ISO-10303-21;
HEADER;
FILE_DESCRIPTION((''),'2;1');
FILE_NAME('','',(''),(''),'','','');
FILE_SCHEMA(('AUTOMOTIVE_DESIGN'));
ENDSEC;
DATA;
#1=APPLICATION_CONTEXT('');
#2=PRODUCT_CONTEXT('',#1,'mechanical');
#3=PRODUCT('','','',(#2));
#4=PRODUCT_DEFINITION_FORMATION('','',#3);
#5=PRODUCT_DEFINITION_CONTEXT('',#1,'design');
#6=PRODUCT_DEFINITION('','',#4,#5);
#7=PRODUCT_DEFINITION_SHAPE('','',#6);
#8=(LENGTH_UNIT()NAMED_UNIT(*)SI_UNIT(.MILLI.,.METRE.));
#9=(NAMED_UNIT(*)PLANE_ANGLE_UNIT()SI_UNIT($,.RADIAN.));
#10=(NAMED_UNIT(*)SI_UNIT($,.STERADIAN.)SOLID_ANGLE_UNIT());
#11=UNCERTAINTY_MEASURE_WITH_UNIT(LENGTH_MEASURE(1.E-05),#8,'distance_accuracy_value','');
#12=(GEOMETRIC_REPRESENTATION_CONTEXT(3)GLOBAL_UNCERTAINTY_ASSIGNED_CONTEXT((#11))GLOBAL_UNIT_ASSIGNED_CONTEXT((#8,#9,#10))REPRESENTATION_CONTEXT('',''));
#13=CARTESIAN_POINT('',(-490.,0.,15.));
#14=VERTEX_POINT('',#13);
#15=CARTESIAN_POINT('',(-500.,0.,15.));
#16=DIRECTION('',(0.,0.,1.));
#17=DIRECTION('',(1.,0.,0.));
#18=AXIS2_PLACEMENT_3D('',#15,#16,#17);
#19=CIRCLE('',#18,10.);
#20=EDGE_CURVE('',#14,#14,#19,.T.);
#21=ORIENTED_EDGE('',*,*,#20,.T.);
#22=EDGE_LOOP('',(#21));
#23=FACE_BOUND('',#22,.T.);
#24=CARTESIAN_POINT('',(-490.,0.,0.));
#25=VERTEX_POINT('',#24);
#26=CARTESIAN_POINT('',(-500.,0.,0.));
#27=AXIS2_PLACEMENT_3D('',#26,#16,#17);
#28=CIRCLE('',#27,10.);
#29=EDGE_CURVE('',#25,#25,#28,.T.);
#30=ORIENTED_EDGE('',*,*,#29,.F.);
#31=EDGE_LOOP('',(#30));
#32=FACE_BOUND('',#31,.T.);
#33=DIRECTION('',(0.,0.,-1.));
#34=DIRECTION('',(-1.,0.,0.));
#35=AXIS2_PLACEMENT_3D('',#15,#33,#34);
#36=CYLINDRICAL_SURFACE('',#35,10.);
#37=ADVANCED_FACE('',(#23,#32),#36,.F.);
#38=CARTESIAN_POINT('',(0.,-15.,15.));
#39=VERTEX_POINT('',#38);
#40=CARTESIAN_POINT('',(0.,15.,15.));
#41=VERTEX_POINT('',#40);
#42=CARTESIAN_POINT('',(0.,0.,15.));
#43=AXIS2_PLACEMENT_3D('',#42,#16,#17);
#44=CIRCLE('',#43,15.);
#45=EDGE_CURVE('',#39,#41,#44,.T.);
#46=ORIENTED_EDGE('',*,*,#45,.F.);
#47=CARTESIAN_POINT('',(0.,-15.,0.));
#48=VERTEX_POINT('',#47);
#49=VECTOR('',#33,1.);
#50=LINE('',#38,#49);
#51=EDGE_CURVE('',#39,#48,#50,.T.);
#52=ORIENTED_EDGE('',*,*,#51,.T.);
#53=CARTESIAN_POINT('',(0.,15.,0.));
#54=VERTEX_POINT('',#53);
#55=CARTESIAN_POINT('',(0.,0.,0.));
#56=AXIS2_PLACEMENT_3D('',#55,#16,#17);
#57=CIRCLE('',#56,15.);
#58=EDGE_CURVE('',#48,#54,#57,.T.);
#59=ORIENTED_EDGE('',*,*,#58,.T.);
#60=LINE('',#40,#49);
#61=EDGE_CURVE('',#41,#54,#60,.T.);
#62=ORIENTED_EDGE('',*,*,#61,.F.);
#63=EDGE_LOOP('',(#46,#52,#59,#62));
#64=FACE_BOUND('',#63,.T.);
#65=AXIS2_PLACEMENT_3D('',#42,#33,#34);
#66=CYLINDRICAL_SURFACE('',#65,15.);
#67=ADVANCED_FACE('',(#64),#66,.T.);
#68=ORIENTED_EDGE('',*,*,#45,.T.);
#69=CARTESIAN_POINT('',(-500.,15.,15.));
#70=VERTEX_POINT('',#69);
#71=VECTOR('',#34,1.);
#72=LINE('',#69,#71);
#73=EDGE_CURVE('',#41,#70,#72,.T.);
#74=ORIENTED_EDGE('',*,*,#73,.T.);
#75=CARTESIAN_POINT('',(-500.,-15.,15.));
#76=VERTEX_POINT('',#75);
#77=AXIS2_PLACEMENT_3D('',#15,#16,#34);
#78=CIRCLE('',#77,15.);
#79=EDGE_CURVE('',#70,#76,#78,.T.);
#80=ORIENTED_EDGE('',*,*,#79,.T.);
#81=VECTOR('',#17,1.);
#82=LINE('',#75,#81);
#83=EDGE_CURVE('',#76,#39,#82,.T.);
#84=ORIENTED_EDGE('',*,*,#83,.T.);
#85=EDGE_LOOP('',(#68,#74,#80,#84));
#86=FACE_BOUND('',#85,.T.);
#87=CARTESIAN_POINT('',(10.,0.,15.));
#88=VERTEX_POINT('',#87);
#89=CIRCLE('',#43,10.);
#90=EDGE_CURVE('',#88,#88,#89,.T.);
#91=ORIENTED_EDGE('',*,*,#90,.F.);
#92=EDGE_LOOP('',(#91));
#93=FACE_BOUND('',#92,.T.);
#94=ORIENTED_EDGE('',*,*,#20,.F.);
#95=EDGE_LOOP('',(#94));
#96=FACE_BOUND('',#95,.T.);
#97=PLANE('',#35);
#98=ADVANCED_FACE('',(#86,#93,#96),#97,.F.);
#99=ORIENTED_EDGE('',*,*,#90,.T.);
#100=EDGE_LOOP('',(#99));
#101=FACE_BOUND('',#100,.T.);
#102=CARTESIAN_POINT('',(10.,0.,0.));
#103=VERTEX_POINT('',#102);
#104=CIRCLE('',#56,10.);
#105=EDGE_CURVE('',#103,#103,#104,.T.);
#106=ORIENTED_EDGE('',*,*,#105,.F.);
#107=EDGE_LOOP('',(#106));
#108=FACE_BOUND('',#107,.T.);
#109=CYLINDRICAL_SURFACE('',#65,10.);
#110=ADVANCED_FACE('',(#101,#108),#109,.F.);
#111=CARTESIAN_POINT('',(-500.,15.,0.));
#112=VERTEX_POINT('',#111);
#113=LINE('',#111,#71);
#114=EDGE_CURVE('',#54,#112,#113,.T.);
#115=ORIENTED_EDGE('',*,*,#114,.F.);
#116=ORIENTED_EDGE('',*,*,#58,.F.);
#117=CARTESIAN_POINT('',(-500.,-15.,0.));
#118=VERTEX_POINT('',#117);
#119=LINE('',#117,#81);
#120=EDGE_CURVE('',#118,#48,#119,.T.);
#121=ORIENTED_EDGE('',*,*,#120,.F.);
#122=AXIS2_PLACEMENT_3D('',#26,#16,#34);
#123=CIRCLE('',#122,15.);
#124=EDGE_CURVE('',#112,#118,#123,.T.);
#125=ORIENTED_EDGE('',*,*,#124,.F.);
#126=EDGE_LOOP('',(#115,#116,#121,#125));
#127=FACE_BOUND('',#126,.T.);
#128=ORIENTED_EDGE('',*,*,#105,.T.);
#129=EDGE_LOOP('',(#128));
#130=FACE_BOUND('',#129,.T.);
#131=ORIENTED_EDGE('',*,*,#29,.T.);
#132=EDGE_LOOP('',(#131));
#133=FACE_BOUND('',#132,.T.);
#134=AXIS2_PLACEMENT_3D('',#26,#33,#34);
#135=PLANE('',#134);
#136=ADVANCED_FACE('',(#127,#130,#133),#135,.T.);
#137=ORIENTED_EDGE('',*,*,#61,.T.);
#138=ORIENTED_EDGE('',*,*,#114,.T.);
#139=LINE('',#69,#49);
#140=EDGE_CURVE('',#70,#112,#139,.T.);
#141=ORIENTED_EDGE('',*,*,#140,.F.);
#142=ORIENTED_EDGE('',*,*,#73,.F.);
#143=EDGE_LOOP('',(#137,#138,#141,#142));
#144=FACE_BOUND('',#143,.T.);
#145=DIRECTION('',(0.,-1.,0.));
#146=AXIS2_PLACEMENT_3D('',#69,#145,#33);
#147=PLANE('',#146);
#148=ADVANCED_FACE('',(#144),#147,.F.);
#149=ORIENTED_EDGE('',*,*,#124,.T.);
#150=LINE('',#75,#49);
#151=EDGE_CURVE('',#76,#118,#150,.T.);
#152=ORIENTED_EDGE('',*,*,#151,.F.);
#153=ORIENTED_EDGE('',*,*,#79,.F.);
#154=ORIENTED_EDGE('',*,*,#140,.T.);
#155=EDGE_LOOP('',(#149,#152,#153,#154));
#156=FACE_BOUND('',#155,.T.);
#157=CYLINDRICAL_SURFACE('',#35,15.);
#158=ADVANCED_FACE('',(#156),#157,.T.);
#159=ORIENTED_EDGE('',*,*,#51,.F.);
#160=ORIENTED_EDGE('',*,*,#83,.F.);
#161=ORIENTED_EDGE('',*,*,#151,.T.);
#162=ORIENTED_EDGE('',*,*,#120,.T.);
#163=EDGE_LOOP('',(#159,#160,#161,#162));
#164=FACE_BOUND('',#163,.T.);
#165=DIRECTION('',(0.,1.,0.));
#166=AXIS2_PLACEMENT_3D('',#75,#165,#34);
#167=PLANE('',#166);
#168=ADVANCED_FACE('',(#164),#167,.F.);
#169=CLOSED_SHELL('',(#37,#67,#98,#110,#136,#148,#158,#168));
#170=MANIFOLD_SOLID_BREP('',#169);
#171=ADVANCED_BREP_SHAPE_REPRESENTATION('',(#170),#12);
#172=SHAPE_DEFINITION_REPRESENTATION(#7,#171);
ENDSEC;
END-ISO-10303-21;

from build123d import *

# Parameters (mm, degrees)
SKETCH1_R      = 10
EXTRUDE1_DEPTH = 15


with BuildPart() as part:
    # Sketch1 → Extrude1 (new body)
    with BuildSketch(Plane.XY):
        with BuildLine():
            Line((-500, 15), (0, 15))
            ThreePointArc((0, 15), (15, 0), (0, -15))
            Line((0, -15), (-500, -15))
            ThreePointArc((-500, -15), (-515, 0), (-500, 15))
        make_face()
        with Locations((-500, 0)):
            Circle(SKETCH1_R, mode=Mode.SUBTRACT)
        Circle(SKETCH1_R, mode=Mode.SUBTRACT)
    extrude(amount=EXTRUDE1_DEPTH)


solid = part.part
